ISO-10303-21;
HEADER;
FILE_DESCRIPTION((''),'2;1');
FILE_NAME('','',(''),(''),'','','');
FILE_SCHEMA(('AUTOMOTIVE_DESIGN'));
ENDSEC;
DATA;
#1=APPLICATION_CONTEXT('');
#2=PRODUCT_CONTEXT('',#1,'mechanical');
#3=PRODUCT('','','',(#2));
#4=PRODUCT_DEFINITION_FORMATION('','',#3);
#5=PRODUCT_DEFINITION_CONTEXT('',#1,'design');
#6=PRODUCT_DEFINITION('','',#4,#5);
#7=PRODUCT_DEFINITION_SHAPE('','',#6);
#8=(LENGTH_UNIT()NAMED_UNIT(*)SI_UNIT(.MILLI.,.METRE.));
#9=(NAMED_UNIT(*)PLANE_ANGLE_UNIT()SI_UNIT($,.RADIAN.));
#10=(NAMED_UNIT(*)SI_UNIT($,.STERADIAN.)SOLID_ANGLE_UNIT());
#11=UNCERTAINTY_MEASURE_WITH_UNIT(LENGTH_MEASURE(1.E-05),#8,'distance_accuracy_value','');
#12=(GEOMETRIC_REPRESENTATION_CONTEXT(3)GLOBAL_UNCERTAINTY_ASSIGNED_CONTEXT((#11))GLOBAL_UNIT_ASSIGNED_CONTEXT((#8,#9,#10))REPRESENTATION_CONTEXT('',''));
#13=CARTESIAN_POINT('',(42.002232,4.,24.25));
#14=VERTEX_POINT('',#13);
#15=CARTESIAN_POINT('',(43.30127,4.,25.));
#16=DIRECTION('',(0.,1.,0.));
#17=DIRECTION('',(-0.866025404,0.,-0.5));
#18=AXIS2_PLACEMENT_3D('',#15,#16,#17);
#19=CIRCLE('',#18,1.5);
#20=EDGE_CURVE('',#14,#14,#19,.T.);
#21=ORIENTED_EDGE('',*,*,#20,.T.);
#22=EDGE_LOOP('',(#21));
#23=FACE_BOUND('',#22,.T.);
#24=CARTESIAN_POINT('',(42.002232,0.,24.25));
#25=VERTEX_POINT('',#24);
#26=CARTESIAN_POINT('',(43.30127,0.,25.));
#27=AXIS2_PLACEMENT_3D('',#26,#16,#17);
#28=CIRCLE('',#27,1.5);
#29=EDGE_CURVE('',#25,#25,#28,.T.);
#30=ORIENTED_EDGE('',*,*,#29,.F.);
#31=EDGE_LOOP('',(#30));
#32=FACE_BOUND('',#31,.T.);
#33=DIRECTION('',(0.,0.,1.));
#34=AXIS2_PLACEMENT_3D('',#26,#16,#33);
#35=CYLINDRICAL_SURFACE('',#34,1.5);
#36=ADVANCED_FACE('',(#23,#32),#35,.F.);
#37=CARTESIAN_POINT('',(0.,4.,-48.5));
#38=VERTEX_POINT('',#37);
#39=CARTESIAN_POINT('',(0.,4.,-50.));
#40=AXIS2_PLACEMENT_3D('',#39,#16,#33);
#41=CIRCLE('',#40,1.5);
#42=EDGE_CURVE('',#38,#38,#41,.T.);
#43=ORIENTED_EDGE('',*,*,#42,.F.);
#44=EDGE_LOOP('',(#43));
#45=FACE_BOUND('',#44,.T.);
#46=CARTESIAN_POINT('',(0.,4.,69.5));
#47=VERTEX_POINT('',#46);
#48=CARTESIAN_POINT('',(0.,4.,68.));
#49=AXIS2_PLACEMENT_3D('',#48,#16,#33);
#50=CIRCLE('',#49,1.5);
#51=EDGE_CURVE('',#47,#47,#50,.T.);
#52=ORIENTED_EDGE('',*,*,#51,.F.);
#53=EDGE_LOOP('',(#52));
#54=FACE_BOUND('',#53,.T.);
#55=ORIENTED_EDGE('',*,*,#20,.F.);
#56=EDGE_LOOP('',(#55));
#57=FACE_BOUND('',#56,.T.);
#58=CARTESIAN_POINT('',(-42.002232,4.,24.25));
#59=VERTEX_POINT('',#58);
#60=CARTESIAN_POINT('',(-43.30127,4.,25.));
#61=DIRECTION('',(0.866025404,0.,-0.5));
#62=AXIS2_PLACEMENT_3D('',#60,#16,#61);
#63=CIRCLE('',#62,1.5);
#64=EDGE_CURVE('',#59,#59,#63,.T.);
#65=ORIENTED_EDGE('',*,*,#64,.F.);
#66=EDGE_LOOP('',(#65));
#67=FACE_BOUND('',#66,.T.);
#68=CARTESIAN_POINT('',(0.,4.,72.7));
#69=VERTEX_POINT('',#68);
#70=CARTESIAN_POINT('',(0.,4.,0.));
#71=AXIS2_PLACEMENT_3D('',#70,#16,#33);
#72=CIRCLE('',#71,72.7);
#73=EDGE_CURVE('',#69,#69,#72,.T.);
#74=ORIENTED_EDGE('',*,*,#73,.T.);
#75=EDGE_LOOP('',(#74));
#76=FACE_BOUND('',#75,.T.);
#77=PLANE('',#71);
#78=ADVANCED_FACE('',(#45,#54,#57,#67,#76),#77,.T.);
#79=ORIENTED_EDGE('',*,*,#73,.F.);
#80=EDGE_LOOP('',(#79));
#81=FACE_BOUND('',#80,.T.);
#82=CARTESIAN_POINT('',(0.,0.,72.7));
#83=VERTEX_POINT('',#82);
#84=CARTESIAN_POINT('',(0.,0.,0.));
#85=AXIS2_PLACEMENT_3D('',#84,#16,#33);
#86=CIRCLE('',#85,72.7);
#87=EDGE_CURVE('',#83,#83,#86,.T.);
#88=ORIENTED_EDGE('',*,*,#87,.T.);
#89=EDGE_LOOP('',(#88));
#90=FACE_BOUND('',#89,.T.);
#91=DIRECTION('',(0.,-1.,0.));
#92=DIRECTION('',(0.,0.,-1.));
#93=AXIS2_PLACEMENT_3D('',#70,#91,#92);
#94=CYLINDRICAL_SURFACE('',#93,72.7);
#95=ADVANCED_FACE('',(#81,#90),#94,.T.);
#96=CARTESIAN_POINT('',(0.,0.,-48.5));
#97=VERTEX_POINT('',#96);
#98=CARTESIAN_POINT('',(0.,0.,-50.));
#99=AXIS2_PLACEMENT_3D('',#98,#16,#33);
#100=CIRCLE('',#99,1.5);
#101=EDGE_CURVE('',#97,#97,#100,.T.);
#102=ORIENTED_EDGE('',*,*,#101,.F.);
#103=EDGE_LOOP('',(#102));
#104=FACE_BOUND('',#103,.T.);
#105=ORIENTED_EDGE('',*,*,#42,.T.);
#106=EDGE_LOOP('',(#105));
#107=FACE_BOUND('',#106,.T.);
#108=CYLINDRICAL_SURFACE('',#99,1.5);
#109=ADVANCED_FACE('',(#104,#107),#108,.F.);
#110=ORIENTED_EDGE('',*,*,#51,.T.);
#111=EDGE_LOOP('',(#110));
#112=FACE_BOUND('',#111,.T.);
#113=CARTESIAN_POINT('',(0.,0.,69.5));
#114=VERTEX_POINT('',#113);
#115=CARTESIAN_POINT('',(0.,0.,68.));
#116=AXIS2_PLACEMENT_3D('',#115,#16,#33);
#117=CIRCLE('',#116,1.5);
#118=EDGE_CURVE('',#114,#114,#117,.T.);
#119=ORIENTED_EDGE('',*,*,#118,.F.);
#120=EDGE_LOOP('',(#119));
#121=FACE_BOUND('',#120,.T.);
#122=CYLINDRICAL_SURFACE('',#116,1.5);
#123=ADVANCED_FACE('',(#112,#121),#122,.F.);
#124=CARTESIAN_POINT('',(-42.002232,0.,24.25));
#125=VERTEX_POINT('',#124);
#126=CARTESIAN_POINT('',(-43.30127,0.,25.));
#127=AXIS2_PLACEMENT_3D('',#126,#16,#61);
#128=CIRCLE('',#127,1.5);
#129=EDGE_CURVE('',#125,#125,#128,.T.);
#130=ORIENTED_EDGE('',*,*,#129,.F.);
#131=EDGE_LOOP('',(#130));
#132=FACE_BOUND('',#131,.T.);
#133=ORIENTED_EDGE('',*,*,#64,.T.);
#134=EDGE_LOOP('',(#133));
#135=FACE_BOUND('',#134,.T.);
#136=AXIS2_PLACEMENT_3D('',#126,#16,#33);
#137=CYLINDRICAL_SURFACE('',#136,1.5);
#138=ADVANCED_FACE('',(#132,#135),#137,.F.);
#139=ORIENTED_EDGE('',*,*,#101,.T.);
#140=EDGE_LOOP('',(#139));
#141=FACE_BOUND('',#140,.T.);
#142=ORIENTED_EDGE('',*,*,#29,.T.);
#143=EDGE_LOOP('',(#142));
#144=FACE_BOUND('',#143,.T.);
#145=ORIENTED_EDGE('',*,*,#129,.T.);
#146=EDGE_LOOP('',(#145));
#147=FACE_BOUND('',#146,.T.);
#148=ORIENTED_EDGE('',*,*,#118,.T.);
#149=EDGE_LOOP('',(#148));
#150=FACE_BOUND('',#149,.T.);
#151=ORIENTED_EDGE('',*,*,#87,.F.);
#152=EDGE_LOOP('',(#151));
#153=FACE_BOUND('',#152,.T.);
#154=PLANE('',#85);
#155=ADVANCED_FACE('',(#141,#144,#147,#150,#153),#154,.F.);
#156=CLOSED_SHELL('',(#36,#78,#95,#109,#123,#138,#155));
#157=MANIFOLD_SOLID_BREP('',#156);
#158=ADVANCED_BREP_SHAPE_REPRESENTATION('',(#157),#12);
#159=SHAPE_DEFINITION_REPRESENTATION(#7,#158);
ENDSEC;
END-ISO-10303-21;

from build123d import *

# Parameters (mm, degrees)
SKETCH1_R           = 72.7
BOSS_EXTRUDE1_DEPTH = 4
SKETCH2_R           = 1.5
CUT_EXTRUDE1_DEPTH  = 103.891107487
CIRPATTERN1_COUNT   = 3
SKETCH3_R           = 1.5
CUT_EXTRUDE2_DEPTH  = 103.891107487


with BuildPart() as part:
    # Sketch1 → Boss-Extrude1 (new body)
    with BuildSketch(Plane(origin=(0, 0, 0), x_dir=(1, 0, 0), z_dir=(0, 1, 0))):
        Circle(SKETCH1_R)
    extrude(amount=BOSS_EXTRUDE1_DEPTH)

    # Sketch2 → Cut-Extrude1 (cut, through all)
    with BuildSketch(Plane(origin=(0, 4, 0), x_dir=(1, 0, 0), z_dir=(0, 1, 0))):
        with Locations((0, 50)):
            Circle(SKETCH2_R)
    cut_extrude1 = extrude(amount=-CUT_EXTRUDE1_DEPTH, mode=Mode.SUBTRACT)

    # CirPattern1: Cut-Extrude1 ×3 about axis
    cirpattern1_axis = Axis((0, 33.6, 0), (0, -1, 0))
    for i in range(1, CIRPATTERN1_COUNT):
        add(cut_extrude1.rotate(cirpattern1_axis, i * 360 / CIRPATTERN1_COUNT), mode=Mode.SUBTRACT)

    # Sketch3 → Cut-Extrude2 (cut, through all)
    with BuildSketch(Plane(origin=(0, 4, 0), x_dir=(1, 0, 0), z_dir=(0, 1, 0))):
        with Locations((0, -68)):
            Circle(SKETCH3_R)
    extrude(amount=-CUT_EXTRUDE2_DEPTH, mode=Mode.SUBTRACT)


solid = part.part
